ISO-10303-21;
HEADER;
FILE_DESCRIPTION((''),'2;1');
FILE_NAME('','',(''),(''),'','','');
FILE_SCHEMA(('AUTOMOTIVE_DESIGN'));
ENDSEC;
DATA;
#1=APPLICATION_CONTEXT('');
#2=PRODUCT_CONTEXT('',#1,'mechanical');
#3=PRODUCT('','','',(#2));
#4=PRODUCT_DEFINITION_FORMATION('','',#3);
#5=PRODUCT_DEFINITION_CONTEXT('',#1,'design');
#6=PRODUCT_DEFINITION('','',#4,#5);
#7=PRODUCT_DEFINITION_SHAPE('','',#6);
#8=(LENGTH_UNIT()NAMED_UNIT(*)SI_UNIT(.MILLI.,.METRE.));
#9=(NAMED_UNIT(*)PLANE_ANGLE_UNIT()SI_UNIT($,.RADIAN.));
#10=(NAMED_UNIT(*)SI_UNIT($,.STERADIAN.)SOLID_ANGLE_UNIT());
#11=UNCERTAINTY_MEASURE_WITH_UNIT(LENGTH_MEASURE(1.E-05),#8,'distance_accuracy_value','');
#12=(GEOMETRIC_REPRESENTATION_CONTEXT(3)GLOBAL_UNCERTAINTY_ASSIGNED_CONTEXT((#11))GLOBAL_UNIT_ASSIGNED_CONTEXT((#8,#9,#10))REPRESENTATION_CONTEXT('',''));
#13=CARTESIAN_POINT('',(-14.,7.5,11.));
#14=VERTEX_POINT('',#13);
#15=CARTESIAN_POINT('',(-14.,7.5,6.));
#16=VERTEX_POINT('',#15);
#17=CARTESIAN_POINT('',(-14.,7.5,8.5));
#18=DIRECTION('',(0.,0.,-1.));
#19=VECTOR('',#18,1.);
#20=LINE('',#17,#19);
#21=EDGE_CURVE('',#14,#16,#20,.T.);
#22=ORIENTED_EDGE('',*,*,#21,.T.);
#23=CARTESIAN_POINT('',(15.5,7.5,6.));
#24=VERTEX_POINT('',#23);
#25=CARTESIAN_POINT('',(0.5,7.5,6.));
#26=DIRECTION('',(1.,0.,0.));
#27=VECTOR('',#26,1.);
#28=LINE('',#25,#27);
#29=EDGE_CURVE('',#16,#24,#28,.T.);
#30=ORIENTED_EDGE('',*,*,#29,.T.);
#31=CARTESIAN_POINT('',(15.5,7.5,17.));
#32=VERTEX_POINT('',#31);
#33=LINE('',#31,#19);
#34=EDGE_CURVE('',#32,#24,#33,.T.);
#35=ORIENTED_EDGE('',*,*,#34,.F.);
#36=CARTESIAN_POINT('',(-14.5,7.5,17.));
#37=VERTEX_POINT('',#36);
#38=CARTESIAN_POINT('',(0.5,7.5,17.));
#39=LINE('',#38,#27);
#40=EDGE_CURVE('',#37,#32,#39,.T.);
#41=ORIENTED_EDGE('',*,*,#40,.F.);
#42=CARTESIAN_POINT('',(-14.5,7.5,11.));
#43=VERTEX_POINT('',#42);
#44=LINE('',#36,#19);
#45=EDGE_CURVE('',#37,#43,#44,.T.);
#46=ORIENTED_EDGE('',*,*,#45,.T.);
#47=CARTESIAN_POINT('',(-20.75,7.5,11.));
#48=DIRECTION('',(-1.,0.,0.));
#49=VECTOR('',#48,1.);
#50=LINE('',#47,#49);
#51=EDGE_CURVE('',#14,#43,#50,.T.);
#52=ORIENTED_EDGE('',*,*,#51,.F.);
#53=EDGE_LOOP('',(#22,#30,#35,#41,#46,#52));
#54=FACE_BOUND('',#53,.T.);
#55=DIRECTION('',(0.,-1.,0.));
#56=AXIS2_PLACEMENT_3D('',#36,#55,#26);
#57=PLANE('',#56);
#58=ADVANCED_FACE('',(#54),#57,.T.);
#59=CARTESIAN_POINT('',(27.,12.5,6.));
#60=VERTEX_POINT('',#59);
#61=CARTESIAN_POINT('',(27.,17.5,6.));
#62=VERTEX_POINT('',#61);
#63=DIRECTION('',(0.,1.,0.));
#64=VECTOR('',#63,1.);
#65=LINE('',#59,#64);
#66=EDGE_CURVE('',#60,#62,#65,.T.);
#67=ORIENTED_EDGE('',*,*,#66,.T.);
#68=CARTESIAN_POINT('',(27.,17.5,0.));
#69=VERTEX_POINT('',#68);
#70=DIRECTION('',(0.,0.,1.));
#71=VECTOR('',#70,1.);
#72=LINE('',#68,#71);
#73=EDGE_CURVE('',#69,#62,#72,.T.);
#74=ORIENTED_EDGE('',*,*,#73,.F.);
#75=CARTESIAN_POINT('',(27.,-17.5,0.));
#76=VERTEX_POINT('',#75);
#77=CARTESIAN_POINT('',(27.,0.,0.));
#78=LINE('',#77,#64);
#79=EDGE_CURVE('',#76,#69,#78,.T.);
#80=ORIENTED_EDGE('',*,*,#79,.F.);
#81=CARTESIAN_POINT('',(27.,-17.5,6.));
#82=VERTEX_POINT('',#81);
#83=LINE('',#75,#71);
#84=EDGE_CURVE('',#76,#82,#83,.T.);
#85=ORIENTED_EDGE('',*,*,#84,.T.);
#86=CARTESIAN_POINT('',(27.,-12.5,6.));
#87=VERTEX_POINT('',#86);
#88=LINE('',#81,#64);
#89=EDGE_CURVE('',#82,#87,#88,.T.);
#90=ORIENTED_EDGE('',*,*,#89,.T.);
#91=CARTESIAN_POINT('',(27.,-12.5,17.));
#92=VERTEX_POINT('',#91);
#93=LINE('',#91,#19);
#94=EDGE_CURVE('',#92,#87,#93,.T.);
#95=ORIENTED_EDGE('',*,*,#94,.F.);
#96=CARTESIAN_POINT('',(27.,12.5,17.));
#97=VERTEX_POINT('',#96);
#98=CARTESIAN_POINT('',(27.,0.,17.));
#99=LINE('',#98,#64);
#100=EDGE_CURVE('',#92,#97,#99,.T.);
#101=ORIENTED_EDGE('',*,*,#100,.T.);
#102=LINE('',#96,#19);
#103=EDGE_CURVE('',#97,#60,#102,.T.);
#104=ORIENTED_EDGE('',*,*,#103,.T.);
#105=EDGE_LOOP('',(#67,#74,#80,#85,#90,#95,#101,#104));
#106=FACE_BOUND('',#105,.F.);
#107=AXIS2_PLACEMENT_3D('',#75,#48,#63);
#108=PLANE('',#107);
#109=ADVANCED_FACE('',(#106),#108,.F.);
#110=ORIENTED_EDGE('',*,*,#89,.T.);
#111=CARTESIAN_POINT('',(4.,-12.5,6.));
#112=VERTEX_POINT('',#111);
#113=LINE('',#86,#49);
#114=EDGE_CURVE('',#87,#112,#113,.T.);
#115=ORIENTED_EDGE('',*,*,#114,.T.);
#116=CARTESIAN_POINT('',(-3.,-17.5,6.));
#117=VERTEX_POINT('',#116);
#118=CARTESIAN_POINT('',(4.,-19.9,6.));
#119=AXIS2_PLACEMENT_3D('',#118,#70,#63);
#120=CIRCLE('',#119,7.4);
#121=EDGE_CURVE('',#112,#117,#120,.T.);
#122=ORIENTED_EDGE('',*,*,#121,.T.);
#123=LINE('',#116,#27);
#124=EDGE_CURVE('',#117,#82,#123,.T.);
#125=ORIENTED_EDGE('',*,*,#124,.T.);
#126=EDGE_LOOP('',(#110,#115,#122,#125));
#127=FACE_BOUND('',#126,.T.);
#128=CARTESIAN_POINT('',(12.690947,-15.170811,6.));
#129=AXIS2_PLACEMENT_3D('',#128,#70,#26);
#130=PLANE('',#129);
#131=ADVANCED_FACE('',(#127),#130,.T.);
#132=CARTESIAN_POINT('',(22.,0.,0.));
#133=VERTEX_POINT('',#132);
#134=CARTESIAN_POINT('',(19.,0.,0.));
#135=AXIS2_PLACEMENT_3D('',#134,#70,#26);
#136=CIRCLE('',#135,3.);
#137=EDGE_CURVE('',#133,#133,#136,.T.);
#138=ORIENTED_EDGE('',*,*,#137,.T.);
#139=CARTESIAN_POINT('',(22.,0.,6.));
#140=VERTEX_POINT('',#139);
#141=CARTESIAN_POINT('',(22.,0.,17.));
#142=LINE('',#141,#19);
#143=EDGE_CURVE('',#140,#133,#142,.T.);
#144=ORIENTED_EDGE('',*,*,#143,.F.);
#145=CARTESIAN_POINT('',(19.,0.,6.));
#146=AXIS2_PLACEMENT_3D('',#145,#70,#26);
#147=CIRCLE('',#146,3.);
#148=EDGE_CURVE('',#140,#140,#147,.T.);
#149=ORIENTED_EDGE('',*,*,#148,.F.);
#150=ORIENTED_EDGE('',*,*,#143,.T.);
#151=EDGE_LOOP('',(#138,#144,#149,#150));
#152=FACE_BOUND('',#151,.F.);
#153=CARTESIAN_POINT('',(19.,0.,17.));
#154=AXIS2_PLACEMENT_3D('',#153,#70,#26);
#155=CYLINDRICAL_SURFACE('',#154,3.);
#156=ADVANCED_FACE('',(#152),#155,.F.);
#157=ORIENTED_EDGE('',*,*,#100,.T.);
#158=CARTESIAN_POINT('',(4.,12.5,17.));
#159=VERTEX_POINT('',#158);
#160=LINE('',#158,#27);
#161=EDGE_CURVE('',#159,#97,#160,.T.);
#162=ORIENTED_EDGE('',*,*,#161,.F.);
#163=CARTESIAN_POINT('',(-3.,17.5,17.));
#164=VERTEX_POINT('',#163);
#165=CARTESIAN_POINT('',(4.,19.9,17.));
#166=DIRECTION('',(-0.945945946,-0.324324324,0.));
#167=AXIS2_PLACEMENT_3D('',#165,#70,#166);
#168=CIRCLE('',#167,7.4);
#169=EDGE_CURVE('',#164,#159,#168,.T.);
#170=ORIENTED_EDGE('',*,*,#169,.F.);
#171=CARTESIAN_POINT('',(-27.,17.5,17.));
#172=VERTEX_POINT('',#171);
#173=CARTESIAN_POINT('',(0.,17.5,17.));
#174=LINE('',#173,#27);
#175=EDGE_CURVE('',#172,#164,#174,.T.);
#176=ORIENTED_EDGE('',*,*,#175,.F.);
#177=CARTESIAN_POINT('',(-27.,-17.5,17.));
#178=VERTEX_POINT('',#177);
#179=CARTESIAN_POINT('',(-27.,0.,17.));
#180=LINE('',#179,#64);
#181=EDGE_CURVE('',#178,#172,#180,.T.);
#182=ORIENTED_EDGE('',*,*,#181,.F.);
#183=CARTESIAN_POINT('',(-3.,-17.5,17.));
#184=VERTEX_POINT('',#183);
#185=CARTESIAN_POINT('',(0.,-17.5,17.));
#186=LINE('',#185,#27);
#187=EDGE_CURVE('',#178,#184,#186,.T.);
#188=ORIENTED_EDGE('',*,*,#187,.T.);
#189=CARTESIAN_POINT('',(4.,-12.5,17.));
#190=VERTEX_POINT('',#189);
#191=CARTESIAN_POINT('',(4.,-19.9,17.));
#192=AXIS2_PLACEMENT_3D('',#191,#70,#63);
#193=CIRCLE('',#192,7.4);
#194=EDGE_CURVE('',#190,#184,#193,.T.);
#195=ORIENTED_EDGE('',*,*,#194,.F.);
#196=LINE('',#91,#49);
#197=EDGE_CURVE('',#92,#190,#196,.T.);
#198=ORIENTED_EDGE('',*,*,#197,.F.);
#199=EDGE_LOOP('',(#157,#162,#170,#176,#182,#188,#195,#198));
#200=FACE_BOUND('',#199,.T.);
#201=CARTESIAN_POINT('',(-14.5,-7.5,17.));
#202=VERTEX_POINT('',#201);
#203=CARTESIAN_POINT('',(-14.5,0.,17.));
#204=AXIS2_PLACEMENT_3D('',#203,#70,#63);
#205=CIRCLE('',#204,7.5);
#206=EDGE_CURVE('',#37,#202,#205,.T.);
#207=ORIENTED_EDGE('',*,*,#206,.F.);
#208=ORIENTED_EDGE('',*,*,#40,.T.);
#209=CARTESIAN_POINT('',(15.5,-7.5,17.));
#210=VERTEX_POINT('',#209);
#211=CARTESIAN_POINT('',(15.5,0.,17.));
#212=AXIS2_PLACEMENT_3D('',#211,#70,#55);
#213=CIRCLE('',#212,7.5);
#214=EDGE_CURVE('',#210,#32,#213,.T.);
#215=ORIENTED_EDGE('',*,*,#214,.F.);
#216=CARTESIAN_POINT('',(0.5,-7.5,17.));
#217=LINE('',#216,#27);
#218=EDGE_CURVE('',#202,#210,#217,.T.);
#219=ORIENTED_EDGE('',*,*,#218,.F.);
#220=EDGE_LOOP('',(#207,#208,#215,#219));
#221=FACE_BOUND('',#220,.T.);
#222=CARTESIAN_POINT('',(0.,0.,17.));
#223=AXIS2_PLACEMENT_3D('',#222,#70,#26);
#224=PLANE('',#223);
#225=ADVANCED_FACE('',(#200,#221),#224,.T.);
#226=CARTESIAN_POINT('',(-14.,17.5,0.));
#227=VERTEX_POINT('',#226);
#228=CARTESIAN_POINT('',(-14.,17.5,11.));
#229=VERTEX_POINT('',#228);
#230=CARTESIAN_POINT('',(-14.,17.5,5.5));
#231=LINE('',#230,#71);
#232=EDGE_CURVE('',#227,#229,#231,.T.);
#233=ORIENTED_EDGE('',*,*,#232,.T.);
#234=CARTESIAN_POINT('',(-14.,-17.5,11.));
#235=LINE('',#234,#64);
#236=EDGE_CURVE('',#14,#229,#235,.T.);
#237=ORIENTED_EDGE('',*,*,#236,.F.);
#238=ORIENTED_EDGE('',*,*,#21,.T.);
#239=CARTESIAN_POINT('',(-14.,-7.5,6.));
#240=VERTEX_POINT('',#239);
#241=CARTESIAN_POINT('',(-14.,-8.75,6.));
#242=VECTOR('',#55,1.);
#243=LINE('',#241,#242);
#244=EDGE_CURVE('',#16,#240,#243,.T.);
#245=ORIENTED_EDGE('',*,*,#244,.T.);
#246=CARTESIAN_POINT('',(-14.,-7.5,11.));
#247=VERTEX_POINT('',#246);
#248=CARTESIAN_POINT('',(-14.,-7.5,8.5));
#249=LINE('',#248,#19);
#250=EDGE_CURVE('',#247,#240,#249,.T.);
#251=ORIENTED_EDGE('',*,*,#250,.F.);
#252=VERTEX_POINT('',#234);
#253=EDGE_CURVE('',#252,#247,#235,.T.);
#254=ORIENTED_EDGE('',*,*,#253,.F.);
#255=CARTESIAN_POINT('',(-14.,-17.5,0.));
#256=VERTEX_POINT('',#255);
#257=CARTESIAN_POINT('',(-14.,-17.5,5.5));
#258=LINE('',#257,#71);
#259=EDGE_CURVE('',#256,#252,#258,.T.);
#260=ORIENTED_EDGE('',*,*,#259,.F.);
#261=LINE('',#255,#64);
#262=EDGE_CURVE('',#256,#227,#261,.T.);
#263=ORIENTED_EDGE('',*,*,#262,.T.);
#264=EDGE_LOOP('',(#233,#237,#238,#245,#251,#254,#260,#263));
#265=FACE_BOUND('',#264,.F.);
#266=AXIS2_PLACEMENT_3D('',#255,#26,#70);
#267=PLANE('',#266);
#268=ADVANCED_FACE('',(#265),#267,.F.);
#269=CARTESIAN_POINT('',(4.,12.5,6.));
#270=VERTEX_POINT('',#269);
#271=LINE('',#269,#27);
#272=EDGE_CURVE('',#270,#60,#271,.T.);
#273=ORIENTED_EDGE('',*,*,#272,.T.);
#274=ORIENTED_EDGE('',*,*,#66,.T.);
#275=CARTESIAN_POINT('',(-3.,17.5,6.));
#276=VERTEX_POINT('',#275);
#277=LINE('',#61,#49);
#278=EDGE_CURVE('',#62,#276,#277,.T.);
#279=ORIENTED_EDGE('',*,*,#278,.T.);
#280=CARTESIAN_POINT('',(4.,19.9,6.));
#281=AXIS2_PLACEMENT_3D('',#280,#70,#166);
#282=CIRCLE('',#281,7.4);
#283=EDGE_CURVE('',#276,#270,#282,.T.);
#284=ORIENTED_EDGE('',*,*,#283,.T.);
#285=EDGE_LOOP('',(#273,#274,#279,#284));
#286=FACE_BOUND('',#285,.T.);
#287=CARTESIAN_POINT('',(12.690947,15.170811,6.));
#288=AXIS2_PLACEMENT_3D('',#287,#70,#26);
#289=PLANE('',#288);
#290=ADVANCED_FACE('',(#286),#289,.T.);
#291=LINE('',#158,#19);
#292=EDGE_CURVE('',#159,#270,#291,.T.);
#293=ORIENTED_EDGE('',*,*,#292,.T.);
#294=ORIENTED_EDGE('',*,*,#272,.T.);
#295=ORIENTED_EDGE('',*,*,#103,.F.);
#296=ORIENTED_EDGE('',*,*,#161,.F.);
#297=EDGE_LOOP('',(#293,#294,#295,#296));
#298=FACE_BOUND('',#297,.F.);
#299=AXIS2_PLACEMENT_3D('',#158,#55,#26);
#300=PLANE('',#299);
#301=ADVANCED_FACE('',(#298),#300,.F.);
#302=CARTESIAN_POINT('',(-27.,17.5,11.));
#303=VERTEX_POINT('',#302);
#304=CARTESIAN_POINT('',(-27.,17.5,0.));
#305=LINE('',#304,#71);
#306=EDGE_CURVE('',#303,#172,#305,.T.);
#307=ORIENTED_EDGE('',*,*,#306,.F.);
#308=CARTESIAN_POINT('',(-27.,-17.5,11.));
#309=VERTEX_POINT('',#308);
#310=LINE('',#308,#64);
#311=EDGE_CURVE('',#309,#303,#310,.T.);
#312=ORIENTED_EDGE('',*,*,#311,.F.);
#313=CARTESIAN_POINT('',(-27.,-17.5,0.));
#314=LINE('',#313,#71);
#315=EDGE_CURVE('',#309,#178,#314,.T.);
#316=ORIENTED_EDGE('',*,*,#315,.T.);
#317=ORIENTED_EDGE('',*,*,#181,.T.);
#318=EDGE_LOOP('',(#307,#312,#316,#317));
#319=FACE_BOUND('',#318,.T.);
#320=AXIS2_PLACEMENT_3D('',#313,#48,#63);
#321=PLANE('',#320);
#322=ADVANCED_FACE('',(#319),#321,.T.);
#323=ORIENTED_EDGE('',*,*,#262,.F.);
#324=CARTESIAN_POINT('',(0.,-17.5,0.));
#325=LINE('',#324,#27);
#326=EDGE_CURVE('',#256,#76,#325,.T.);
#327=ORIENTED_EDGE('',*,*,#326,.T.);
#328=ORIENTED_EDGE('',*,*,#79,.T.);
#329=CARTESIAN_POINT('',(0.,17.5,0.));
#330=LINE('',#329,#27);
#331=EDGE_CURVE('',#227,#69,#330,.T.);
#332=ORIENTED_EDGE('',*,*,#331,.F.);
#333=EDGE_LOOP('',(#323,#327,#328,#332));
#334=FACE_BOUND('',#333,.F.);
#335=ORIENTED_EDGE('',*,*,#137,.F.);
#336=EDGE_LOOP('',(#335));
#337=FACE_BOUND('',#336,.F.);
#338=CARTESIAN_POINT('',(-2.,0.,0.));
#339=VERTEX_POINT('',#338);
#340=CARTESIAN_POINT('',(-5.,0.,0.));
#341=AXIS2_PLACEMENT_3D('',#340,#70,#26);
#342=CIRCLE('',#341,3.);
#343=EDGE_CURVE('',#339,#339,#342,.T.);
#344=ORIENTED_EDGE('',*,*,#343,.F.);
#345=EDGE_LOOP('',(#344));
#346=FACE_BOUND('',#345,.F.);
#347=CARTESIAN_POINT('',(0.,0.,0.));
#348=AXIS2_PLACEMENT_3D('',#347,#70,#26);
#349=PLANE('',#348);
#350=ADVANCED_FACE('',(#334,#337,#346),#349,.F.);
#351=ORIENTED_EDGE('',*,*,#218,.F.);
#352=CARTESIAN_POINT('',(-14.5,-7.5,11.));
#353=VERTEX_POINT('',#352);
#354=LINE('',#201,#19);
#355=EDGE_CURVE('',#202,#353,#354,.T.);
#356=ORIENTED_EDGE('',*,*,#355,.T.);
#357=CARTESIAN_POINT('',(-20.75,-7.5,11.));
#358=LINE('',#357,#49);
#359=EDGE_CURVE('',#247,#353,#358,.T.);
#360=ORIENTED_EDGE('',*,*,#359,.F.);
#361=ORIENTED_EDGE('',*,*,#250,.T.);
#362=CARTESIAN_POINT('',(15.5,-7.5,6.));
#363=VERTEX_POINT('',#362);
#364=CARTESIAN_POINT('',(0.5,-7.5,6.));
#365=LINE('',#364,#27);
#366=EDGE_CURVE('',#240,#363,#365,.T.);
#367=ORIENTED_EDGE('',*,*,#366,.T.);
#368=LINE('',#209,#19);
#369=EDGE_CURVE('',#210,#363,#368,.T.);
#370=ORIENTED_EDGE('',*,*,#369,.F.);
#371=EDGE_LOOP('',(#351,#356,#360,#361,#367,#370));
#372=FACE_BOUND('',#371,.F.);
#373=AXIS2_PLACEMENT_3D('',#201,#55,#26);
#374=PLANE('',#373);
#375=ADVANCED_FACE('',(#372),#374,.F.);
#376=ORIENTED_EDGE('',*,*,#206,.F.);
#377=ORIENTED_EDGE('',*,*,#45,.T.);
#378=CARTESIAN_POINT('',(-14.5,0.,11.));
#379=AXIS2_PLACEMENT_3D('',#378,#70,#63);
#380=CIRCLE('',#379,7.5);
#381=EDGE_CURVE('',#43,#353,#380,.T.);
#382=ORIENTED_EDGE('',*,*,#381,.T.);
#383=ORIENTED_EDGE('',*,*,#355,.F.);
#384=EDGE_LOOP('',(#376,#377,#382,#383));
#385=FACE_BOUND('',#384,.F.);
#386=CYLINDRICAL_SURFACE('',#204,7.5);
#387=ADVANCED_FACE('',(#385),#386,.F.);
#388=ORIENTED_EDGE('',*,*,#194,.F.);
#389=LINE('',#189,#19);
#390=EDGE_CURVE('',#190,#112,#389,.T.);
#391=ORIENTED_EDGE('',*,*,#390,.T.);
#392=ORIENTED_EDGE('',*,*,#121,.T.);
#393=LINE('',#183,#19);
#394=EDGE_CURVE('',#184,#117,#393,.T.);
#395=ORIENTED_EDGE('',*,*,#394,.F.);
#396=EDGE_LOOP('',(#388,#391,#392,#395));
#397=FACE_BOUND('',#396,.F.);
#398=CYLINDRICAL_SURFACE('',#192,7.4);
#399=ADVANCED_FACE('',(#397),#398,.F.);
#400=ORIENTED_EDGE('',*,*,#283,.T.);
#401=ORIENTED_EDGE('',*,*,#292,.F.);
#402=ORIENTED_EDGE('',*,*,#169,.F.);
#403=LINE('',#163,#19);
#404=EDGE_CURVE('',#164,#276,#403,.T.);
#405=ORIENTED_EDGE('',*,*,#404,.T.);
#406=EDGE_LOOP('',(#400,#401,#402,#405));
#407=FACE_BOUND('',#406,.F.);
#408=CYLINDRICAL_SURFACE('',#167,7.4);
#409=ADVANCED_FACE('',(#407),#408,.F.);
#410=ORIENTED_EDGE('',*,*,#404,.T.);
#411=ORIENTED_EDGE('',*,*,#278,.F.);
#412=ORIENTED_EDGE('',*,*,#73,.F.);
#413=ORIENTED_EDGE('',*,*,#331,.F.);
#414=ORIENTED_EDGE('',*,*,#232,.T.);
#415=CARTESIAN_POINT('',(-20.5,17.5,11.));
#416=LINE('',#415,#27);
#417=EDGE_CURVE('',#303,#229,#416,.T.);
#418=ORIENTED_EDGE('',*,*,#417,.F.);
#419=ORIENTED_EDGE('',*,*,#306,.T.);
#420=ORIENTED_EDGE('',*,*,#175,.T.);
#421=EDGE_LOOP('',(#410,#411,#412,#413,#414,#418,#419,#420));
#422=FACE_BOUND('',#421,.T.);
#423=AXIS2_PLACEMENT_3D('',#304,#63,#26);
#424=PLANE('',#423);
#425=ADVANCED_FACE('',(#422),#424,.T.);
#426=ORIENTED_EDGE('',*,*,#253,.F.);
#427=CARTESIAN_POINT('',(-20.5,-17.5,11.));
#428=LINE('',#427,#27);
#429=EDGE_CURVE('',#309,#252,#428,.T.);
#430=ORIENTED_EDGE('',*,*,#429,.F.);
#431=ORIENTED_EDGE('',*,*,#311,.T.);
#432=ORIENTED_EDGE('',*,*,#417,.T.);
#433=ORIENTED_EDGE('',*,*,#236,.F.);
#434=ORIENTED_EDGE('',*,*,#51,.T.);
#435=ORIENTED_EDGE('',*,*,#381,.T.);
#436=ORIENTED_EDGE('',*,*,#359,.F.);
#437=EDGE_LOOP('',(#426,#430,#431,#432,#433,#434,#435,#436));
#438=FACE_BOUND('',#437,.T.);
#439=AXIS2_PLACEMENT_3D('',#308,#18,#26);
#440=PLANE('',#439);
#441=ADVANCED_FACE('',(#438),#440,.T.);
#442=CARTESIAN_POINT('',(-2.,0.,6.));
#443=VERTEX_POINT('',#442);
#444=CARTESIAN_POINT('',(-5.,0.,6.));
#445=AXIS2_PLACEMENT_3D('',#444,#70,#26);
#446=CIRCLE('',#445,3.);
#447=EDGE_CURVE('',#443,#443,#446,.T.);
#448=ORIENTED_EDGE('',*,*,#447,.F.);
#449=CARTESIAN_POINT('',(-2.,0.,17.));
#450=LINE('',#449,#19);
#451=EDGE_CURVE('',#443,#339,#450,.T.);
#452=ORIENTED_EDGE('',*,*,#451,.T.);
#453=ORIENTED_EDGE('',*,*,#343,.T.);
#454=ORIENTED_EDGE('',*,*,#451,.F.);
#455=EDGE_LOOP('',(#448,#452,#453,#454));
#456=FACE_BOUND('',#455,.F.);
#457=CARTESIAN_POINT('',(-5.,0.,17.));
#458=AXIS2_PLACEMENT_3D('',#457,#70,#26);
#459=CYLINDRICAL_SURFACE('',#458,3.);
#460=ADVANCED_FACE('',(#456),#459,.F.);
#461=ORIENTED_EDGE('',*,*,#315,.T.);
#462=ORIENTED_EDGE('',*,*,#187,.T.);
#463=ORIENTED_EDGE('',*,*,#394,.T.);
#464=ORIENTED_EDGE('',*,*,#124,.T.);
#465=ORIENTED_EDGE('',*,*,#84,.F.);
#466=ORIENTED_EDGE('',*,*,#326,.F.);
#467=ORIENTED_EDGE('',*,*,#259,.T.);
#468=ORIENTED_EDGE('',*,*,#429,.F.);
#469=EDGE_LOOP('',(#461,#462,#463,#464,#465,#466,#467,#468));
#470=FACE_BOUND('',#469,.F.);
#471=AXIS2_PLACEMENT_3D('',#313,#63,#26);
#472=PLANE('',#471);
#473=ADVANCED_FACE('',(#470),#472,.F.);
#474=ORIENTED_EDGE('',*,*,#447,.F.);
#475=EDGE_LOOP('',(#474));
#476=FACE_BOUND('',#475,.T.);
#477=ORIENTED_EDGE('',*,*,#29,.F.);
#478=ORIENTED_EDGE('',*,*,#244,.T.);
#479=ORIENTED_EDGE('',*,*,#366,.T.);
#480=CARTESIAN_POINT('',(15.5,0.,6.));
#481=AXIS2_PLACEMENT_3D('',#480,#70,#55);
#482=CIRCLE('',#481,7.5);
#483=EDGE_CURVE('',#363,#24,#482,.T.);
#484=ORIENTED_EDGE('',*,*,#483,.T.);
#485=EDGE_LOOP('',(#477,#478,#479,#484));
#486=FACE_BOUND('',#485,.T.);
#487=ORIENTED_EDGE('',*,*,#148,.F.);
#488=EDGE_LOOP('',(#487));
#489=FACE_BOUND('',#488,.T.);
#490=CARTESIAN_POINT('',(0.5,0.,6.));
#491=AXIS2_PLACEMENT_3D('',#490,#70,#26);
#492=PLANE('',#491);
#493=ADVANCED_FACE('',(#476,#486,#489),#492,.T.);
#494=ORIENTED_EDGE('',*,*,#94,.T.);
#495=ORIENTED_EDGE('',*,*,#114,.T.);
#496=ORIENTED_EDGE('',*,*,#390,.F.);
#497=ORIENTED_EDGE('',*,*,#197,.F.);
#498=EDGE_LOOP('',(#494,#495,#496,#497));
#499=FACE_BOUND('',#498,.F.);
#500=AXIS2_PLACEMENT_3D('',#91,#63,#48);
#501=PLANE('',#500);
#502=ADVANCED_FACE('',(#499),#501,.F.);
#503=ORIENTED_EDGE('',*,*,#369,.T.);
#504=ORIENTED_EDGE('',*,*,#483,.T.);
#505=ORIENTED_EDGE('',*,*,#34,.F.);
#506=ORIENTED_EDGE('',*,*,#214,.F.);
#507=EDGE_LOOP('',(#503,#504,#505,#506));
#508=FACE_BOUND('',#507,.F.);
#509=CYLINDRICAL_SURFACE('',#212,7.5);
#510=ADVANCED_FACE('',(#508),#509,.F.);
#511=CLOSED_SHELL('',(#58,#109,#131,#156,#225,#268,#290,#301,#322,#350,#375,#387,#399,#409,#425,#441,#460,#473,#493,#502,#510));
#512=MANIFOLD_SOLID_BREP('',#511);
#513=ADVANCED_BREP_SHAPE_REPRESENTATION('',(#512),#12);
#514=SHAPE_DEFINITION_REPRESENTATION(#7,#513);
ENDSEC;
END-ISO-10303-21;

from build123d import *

# Parameters (mm, degrees)
F0_W     = 54
F0_H     = 35
F1_DEPTH = 17
F2_W     = 13
F2_H     = 11
F3_DEPTH = 35
F5_DEPTH = 11
F6_W     = 30
F6_H     = 15
F6_R     = 3
F7_DEPTH = 11
F8_DEPTH = 25


with BuildPart() as f1:
    # F0 (on Top) → F1 (new body)
    with BuildSketch(Plane.XY):
        Rectangle(F0_W, F0_H)
    extrude(amount=F1_DEPTH)

    # F2 (on face) → F3 (cut)
    with BuildSketch(Plane.XZ.offset(17.5)):
        with Locations((-20.5, 5.5)):
            Rectangle(F2_W, F2_H)
    extrude(amount=-F3_DEPTH, mode=Mode.SUBTRACT)

    # F4 (on face) → F5 (cut)
    with BuildSketch(Plane.XY.offset(17)):
        with BuildLine():
            Line((4, -17.5), (27, -17.5))
            Line((27, -17.5), (27, -12.5))
            Line((27, -12.5), (4, -12.5))
            ThreePointArc((4, -12.5), (-0.3011626335, -13.8783723131), (-3, -17.5))
            Line((-3, -17.5), (4, -17.5))
        make_face()
        with BuildLine():
            ThreePointArc((-3, 17.5), (-0.3011626335, 13.8783723131), (4, 12.5))
            Line((4, 12.5), (27, 12.5))
            Line((27, 12.5), (27, 17.5))
            Line((27, 17.5), (4, 17.5))
            Line((4, 17.5), (-3, 17.5))
        make_face()
    extrude(amount=-F5_DEPTH, mode=Mode.SUBTRACT)

    # F6 (on face) → F7 (cut)
    with BuildSketch(Plane.XY.offset(17)):
        with Locations((0.5, 0)):
            Rectangle(F6_W, F6_H)
        with Locations((-5, 0)):
            Circle(F6_R, mode=Mode.SUBTRACT)
        with BuildLine():
            Line((15.5, 7.5), (15.5, -7.5))
            ThreePointArc((15.5, -7.5), (23, 0), (15.5, 7.5))
        make_face()
        with Locations((19, 0)):
            Circle(F6_R, mode=Mode.SUBTRACT)
        with BuildLine():
            ThreePointArc((-14.5, 7.5), (-22, 0), (-14.5, -7.5))
            Line((-14.5, -7.5), (-14.5, 7.5))
        make_face()
    extrude(amount=-F7_DEPTH, mode=Mode.SUBTRACT)

    # F8 (cut): faces of the model
    f8_faces = [f1.faces().sort_by_distance(p)[0] for p in [
        (-5, 0, 17),
        (19, 0, 17),
    ]]
    extrude(f8_faces, amount=-F8_DEPTH, mode=Mode.SUBTRACT)


solid = f1.part
